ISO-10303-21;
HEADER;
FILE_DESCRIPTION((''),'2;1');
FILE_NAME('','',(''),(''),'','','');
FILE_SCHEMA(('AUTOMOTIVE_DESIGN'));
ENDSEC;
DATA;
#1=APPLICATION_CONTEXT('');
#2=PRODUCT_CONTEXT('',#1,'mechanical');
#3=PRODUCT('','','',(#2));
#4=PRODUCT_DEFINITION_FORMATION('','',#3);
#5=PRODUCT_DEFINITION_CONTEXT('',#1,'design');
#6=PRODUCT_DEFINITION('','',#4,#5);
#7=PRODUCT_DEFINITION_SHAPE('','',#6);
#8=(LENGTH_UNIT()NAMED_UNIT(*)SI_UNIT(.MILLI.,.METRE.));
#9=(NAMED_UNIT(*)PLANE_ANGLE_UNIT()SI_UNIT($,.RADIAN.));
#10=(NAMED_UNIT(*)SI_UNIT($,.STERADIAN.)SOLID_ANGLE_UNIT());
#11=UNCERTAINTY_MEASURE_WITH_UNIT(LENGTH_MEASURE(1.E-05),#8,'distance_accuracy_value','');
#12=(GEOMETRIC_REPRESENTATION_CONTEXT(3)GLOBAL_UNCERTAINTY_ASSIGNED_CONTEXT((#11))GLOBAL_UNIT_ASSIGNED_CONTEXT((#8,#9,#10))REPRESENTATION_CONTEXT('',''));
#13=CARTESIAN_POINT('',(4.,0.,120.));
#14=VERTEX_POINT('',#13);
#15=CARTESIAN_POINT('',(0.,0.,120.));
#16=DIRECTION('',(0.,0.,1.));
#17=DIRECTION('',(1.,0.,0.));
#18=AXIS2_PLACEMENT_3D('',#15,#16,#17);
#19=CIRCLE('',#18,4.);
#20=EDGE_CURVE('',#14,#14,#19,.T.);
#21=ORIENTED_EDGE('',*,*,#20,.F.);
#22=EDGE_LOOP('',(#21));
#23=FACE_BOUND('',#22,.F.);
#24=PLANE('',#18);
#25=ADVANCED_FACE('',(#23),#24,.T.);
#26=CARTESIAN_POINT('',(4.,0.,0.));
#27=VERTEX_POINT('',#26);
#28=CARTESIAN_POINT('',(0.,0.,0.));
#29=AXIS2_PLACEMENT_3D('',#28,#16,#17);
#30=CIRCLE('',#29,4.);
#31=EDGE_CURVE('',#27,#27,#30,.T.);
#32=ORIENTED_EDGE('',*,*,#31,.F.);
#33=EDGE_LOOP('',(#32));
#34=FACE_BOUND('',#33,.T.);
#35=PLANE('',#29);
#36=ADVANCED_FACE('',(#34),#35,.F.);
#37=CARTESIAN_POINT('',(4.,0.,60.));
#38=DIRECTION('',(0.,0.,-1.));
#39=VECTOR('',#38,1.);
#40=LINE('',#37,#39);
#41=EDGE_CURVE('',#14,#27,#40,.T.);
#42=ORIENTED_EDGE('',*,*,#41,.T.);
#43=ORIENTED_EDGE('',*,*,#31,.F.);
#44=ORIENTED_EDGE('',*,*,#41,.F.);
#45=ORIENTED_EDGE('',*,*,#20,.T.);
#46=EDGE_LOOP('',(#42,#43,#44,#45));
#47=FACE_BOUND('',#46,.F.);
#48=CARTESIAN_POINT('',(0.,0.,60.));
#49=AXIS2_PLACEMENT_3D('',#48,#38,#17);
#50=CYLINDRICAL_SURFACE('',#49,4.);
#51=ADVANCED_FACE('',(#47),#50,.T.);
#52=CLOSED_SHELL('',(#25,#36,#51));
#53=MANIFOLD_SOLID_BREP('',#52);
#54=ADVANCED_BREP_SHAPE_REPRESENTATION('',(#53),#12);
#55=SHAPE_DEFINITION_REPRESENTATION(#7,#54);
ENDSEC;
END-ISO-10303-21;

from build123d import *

# Parameters (mm, degrees)
ESQUISSE1_W = 4
ESQUISSE1_H = 120


with BuildPart() as part:
    # Esquisse1 → Révolution1 (revolve)
    with BuildSketch(Plane(origin=(0, 0, 0), x_dir=(1, 0, 0), z_dir=(0, 1, 0))):
        with Locations((2, -60)):
            Rectangle(ESQUISSE1_W, ESQUISSE1_H)
    revolve(axis=Axis((0, 0, 0), (0, 0, 1)))


solid = part.part
